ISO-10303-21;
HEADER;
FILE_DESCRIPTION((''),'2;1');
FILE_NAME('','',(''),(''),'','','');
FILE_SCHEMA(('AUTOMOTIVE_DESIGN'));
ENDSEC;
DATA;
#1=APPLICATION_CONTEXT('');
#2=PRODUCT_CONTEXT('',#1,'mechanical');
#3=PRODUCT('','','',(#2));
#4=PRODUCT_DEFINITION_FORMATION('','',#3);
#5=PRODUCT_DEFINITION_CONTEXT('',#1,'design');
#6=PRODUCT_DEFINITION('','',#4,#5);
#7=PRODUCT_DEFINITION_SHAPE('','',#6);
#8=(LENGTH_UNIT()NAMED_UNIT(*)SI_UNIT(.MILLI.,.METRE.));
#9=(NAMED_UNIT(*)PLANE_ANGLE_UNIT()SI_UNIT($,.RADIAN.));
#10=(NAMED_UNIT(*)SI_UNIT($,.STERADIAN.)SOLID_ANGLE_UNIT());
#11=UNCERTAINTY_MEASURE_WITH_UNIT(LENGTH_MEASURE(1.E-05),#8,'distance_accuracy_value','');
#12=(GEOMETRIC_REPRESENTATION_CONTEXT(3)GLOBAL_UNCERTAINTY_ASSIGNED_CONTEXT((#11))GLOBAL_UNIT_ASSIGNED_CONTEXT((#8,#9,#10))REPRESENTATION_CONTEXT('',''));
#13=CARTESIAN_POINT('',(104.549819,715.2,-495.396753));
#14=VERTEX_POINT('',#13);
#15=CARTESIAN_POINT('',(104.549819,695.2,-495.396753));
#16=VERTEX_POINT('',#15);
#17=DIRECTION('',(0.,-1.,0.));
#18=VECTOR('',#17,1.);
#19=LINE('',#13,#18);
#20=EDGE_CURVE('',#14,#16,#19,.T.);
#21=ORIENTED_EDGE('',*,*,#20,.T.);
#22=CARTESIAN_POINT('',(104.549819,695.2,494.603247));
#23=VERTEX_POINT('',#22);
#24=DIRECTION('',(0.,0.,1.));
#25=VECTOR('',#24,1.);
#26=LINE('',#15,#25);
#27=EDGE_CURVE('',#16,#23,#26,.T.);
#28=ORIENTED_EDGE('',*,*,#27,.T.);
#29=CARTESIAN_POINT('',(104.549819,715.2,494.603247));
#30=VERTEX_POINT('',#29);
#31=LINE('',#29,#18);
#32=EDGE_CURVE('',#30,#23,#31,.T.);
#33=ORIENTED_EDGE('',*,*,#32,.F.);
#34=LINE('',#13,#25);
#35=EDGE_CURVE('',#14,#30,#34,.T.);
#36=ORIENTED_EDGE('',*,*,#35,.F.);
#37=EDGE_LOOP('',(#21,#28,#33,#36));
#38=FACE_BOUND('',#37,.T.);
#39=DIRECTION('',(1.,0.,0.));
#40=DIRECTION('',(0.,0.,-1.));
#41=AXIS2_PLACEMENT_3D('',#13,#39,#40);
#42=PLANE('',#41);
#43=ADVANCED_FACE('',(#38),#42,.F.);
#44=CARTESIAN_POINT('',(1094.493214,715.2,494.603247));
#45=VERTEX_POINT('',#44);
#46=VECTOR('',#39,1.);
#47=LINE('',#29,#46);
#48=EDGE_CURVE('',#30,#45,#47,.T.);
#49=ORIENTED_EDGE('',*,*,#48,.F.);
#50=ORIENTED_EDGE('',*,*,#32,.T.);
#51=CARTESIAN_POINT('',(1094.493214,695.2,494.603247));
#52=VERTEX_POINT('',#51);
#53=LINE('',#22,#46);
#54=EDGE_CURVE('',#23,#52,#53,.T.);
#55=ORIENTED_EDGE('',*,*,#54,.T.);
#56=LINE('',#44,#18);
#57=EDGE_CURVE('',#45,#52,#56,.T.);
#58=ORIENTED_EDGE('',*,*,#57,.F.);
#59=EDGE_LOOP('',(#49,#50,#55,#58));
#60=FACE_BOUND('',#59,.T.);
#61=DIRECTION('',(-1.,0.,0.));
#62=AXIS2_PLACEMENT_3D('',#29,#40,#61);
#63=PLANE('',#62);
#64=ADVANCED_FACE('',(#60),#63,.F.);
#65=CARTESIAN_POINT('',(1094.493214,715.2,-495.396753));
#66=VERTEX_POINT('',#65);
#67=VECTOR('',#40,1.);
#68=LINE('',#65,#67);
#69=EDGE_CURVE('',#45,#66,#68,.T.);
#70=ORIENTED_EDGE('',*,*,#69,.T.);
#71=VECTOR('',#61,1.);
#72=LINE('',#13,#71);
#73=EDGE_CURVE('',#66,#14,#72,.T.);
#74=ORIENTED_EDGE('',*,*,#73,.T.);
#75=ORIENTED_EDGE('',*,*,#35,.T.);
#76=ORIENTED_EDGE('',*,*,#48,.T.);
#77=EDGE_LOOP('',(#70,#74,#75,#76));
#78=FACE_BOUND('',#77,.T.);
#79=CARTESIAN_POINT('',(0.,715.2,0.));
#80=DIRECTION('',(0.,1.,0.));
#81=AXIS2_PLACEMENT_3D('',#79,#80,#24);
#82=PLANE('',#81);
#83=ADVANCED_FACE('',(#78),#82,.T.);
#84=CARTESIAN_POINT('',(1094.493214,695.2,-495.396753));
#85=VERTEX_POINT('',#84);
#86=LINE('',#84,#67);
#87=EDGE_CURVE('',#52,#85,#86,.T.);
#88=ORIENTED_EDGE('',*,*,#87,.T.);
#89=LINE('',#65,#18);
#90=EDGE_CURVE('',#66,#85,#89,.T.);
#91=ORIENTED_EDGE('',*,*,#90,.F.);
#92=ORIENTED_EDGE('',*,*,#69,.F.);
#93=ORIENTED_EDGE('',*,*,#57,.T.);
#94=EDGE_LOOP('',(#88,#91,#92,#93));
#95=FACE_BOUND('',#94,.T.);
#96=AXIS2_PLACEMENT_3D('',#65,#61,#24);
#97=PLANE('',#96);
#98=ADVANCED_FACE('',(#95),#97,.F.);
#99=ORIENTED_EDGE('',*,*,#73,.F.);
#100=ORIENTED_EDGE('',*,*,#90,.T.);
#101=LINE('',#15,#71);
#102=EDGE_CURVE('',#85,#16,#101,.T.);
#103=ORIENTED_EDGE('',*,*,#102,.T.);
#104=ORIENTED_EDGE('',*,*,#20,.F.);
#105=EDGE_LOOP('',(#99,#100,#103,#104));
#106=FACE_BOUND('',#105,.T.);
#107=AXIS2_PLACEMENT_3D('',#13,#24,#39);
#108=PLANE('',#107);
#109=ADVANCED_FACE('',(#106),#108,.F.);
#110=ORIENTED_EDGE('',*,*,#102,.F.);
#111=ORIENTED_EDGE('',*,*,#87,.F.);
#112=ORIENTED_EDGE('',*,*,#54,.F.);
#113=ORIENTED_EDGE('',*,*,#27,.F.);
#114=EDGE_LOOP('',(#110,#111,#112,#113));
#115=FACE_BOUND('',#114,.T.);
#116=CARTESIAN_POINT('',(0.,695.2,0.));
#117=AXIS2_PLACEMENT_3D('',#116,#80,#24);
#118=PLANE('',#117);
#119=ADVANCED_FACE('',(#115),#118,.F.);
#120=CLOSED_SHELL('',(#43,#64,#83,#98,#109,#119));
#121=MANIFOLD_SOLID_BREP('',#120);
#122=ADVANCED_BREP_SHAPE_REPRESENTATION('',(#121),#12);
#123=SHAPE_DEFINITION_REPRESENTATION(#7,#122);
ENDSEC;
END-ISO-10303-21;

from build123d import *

# Parameters (mm, degrees)
SKETCH2_W           = 989.943395056
SKETCH2_H           = 990
BOSS_EXTRUDE1_DEPTH = 20


with BuildPart() as part:
    # Sketch2 → Boss-Extrude1 (new body)
    with BuildSketch(Plane(origin=(0, 695.2, 0), x_dir=(1, 0, 0), z_dir=(0, 1, 0))):
        with Locations((599.521516334, 0.396752623)):
            Rectangle(SKETCH2_W, SKETCH2_H)
    extrude(amount=BOSS_EXTRUDE1_DEPTH)


solid = part.part
